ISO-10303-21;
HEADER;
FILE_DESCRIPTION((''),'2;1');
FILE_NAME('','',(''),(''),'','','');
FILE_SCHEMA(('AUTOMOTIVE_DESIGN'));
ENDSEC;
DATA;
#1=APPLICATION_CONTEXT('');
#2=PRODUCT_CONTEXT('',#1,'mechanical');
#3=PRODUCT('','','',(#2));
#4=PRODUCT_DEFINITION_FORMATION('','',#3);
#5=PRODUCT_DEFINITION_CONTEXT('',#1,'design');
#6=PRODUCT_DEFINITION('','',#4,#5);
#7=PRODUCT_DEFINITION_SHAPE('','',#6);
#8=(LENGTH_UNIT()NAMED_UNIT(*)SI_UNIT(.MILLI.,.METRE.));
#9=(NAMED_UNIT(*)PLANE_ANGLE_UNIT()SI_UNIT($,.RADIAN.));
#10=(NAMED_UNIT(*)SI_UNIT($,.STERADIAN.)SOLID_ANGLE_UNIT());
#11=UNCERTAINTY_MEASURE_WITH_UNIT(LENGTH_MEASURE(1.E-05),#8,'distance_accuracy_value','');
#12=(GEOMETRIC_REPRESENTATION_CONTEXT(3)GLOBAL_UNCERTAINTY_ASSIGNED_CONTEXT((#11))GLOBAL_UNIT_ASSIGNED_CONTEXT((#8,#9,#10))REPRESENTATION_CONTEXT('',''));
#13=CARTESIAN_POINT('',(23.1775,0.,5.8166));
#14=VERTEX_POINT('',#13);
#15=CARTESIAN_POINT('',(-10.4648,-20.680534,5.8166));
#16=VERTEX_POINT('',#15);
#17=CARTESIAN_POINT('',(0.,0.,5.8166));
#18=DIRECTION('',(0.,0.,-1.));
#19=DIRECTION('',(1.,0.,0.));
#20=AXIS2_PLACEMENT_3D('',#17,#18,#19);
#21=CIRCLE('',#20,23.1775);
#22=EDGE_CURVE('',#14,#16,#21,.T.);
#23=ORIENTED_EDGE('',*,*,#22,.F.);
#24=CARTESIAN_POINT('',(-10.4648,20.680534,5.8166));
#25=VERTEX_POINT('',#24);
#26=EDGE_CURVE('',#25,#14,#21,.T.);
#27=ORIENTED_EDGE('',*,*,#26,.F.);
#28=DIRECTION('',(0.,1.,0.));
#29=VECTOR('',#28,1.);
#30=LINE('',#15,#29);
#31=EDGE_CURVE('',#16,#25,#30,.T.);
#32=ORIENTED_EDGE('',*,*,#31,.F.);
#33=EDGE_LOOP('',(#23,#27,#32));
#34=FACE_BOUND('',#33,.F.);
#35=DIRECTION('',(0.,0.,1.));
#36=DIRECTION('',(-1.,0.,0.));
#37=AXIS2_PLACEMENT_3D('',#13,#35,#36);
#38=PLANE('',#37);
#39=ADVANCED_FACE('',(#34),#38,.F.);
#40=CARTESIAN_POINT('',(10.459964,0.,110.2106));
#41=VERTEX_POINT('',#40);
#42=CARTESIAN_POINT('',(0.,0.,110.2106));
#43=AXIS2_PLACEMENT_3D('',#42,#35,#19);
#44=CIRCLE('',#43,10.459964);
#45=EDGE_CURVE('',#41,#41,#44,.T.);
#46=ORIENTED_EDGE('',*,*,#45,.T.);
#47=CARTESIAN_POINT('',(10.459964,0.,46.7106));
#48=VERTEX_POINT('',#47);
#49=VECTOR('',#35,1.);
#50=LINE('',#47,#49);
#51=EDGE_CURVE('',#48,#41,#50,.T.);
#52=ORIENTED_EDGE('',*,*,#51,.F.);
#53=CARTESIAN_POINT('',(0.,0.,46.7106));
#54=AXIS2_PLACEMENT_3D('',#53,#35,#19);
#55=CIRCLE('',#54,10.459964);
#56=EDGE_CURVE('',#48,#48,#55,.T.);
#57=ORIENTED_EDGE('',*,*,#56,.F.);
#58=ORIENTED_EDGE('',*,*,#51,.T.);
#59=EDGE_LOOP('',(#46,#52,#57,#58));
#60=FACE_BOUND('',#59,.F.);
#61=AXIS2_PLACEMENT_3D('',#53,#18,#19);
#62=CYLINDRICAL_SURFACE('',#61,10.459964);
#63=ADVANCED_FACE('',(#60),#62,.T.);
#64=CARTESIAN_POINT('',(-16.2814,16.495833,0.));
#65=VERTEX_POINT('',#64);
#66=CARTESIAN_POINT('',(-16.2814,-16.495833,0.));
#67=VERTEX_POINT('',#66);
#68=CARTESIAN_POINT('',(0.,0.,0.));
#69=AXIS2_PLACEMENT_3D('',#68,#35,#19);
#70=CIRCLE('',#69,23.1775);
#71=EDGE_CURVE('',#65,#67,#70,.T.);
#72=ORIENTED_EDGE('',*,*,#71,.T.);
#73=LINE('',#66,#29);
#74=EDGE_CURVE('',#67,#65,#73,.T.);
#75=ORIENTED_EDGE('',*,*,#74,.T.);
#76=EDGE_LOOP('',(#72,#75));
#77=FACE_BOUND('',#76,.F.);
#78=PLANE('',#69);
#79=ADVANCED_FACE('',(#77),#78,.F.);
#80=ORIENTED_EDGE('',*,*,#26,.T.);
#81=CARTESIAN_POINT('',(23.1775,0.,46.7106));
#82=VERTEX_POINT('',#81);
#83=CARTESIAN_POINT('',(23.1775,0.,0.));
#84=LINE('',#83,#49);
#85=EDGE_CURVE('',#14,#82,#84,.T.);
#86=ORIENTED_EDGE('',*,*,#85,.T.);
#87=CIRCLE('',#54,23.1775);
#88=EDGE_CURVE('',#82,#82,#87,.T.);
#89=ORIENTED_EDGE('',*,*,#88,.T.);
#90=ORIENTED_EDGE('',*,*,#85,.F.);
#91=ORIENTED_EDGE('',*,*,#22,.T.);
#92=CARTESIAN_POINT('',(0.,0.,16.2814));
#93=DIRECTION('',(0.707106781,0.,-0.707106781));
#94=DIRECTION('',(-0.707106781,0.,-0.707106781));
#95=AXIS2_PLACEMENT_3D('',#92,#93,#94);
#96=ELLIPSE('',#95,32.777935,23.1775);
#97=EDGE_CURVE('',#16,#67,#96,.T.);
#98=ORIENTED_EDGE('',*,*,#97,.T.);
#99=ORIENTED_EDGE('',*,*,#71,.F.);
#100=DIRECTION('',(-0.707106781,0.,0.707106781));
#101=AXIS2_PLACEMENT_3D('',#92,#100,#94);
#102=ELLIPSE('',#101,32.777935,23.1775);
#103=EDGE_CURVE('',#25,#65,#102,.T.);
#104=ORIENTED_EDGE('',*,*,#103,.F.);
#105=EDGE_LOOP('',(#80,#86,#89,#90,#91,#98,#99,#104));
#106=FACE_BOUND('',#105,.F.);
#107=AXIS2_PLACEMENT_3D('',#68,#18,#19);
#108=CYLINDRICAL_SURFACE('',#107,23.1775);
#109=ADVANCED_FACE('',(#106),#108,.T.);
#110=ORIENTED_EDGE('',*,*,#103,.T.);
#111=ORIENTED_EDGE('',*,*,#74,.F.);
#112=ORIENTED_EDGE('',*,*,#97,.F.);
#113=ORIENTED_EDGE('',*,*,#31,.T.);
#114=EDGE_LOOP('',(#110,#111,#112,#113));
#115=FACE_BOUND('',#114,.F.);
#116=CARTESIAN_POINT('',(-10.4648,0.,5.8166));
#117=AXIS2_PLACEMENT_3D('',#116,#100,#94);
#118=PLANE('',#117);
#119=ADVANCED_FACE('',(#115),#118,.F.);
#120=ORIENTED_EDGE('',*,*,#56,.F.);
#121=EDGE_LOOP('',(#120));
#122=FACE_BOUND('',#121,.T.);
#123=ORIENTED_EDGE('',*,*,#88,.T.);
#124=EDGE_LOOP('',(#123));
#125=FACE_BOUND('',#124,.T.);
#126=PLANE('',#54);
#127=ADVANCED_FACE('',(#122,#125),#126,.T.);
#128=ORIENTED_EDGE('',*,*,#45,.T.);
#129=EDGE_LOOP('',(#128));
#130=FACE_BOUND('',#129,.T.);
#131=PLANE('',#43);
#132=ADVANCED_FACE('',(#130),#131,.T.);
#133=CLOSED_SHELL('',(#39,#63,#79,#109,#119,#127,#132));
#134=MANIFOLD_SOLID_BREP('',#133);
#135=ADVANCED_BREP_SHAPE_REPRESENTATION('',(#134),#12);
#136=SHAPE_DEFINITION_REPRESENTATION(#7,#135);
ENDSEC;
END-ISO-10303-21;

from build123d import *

# Parameters (mm, degrees)
F0_R          = 23.1775
F1_DEPTH      = 46.7106
F2_R          = 10.4599637804
F3_DEPTH      = 63.5
F5_DEPTH      = 23.1785
F5_DEPTH_BACK = 23.1785


with BuildPart() as f1:
    # F0 (on Top) → F1 (new body)
    with BuildSketch(Plane.XY):
        Circle(F0_R)
    extrude(amount=F1_DEPTH)

    # F2 (on face) → F3 (join)
    with BuildSketch(Plane.XY.offset(46.7106)):
        Circle(F2_R)
    extrude(amount=F3_DEPTH)

    # F4 (on Front) → F5 (cut, two sides)
    with BuildSketch(Plane.XZ) as f5_sk:
        Polygon((-10.4648, 5.8166), (-16.2814, 0), (23.1775, 0), (23.1775, 5.8166), align=None)
    extrude(amount=-F5_DEPTH, mode=Mode.SUBTRACT)
    extrude(f5_sk.sketch, amount=F5_DEPTH_BACK, mode=Mode.SUBTRACT)


solid = f1.part
